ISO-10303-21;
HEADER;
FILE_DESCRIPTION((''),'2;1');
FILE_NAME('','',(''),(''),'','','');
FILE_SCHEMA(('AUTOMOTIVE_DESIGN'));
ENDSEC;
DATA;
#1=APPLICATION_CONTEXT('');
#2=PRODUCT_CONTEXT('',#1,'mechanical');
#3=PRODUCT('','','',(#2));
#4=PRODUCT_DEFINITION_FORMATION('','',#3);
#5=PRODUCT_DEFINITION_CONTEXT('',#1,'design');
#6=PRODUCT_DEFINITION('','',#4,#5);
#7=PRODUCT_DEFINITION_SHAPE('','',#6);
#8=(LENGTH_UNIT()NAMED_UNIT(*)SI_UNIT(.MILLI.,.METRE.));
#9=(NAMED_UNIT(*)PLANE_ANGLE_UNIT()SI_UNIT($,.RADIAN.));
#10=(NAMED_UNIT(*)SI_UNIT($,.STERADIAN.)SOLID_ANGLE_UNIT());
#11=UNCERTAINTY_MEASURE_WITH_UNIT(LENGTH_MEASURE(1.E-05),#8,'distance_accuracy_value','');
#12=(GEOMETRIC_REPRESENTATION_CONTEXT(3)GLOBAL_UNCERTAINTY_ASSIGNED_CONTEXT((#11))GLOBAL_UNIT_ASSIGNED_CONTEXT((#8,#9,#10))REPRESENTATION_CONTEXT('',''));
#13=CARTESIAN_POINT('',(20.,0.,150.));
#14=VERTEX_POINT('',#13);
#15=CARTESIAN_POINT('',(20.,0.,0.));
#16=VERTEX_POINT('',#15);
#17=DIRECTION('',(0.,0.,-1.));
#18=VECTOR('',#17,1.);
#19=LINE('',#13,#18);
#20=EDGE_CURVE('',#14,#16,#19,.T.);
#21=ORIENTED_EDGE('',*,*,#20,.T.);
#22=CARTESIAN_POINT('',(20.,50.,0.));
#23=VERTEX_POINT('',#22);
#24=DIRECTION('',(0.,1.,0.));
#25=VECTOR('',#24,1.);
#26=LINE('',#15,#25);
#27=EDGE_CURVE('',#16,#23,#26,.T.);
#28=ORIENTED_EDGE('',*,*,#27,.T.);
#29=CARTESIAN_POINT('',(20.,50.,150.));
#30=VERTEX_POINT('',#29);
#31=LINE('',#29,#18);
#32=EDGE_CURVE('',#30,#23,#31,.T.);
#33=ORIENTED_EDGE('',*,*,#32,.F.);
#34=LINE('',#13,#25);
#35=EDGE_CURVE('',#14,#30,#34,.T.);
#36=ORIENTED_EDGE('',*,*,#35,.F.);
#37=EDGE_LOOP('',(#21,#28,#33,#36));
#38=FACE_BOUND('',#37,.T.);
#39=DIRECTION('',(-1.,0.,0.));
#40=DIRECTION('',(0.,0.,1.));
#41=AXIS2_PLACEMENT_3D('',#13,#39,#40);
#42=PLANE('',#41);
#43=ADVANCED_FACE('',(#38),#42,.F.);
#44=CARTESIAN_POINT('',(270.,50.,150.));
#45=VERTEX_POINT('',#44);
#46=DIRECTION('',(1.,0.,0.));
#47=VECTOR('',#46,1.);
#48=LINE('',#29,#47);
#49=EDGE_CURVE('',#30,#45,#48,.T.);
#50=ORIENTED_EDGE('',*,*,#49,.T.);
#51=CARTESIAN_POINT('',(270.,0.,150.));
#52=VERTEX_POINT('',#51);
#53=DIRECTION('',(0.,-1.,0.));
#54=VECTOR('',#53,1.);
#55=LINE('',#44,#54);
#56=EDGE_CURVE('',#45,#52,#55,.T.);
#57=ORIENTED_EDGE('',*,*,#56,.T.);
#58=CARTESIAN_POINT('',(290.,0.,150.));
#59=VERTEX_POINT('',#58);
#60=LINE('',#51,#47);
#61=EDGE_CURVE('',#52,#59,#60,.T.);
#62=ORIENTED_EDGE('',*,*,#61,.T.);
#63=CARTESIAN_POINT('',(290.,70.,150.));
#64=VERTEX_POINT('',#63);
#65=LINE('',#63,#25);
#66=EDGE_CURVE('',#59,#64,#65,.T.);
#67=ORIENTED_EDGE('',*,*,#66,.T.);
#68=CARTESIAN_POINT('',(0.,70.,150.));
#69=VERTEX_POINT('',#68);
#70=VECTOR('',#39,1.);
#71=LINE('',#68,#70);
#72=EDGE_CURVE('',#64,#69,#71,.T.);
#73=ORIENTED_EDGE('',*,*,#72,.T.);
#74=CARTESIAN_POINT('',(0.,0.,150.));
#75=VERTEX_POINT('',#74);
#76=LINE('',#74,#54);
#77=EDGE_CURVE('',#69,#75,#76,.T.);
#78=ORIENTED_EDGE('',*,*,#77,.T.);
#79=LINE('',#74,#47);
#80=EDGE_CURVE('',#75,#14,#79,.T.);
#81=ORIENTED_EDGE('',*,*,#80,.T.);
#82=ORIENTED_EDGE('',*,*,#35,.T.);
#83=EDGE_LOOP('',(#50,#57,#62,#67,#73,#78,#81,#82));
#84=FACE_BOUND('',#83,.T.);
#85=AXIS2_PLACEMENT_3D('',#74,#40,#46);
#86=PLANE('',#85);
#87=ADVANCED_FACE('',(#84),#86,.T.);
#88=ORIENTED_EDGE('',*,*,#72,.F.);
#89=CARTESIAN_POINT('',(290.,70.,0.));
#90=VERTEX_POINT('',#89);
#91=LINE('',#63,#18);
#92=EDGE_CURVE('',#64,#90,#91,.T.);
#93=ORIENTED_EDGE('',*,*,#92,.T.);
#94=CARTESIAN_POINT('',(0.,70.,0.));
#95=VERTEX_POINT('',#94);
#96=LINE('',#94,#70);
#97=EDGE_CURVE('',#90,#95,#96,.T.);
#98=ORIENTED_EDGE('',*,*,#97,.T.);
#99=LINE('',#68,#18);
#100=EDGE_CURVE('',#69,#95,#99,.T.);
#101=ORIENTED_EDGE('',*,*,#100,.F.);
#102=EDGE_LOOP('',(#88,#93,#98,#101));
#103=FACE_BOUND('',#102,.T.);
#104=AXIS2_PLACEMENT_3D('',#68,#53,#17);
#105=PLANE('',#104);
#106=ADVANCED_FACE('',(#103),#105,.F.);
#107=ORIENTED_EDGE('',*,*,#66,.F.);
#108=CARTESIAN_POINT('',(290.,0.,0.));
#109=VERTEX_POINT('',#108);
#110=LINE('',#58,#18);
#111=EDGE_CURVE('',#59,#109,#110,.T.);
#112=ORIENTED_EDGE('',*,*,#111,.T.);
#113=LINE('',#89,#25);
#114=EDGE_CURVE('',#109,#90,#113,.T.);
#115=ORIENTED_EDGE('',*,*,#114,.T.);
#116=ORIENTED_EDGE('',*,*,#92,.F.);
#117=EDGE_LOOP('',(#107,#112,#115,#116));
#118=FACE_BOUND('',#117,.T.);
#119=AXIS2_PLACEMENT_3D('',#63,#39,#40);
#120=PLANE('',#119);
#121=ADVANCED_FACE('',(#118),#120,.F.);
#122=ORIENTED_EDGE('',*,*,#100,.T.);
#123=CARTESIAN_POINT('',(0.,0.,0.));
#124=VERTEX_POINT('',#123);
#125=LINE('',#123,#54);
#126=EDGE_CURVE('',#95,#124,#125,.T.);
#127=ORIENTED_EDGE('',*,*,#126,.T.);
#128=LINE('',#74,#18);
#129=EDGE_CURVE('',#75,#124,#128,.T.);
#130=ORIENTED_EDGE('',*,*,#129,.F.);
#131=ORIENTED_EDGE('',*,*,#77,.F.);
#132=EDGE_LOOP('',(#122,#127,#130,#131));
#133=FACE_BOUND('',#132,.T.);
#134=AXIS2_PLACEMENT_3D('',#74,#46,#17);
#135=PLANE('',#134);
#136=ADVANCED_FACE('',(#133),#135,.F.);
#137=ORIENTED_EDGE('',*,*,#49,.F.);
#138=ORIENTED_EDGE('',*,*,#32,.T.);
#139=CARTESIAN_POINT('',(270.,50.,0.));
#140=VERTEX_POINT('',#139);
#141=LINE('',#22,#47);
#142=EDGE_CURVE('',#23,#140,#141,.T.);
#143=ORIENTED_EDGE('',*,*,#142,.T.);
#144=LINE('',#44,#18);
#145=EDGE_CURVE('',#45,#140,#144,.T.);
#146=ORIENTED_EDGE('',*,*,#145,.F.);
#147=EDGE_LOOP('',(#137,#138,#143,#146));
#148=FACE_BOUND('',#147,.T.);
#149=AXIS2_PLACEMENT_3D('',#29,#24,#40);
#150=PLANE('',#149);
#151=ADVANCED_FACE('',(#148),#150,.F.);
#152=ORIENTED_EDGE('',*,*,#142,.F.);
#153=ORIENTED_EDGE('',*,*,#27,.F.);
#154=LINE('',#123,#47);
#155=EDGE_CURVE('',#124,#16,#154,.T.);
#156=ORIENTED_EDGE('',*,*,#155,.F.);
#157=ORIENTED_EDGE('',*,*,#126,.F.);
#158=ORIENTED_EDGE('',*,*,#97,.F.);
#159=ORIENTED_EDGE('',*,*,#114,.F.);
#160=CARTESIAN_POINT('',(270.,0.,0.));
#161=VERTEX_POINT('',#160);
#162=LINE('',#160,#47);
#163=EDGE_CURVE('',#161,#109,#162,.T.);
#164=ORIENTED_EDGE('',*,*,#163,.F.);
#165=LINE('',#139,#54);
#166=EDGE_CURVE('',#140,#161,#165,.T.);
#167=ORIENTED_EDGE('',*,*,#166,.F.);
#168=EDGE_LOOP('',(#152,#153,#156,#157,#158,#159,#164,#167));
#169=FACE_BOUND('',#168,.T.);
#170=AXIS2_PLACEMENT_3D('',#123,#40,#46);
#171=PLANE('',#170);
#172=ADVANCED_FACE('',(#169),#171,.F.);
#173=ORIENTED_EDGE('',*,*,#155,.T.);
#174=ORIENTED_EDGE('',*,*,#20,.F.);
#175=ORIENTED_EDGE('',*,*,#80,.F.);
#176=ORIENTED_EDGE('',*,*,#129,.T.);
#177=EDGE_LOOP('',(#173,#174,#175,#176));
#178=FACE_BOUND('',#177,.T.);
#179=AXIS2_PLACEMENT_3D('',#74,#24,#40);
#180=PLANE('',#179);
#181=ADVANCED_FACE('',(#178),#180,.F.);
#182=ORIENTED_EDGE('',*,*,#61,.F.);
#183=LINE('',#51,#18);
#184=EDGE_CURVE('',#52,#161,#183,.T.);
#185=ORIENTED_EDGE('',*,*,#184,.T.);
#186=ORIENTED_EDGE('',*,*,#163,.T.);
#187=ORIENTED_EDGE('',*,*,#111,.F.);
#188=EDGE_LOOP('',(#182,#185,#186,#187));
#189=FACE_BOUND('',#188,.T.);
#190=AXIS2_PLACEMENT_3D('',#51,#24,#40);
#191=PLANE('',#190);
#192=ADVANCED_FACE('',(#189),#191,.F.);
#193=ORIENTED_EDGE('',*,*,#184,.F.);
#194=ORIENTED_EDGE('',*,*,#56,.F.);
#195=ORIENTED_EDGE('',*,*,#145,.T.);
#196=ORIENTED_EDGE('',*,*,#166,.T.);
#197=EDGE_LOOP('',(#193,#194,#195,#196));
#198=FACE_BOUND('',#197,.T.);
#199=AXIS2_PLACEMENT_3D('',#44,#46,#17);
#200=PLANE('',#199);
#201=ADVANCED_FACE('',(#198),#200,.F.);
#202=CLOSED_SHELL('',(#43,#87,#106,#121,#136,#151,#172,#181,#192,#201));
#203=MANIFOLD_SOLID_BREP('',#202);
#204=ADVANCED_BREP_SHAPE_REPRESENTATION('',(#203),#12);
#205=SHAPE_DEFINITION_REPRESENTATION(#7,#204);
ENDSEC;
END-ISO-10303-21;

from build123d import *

# Parameters (mm, degrees)
BOSS_EXTRUDE1_DEPTH = 150


with BuildPart() as part:
    # Sketch1 → Boss-Extrude1 (new body)
    with BuildSketch(Plane.XY):
        Polygon((0, 0), (0, 70), (290, 70), (290, 0), (270, 0), (270, 50), (20, 50), (20, 0), align=None)
    extrude(amount=BOSS_EXTRUDE1_DEPTH)


solid = part.part
